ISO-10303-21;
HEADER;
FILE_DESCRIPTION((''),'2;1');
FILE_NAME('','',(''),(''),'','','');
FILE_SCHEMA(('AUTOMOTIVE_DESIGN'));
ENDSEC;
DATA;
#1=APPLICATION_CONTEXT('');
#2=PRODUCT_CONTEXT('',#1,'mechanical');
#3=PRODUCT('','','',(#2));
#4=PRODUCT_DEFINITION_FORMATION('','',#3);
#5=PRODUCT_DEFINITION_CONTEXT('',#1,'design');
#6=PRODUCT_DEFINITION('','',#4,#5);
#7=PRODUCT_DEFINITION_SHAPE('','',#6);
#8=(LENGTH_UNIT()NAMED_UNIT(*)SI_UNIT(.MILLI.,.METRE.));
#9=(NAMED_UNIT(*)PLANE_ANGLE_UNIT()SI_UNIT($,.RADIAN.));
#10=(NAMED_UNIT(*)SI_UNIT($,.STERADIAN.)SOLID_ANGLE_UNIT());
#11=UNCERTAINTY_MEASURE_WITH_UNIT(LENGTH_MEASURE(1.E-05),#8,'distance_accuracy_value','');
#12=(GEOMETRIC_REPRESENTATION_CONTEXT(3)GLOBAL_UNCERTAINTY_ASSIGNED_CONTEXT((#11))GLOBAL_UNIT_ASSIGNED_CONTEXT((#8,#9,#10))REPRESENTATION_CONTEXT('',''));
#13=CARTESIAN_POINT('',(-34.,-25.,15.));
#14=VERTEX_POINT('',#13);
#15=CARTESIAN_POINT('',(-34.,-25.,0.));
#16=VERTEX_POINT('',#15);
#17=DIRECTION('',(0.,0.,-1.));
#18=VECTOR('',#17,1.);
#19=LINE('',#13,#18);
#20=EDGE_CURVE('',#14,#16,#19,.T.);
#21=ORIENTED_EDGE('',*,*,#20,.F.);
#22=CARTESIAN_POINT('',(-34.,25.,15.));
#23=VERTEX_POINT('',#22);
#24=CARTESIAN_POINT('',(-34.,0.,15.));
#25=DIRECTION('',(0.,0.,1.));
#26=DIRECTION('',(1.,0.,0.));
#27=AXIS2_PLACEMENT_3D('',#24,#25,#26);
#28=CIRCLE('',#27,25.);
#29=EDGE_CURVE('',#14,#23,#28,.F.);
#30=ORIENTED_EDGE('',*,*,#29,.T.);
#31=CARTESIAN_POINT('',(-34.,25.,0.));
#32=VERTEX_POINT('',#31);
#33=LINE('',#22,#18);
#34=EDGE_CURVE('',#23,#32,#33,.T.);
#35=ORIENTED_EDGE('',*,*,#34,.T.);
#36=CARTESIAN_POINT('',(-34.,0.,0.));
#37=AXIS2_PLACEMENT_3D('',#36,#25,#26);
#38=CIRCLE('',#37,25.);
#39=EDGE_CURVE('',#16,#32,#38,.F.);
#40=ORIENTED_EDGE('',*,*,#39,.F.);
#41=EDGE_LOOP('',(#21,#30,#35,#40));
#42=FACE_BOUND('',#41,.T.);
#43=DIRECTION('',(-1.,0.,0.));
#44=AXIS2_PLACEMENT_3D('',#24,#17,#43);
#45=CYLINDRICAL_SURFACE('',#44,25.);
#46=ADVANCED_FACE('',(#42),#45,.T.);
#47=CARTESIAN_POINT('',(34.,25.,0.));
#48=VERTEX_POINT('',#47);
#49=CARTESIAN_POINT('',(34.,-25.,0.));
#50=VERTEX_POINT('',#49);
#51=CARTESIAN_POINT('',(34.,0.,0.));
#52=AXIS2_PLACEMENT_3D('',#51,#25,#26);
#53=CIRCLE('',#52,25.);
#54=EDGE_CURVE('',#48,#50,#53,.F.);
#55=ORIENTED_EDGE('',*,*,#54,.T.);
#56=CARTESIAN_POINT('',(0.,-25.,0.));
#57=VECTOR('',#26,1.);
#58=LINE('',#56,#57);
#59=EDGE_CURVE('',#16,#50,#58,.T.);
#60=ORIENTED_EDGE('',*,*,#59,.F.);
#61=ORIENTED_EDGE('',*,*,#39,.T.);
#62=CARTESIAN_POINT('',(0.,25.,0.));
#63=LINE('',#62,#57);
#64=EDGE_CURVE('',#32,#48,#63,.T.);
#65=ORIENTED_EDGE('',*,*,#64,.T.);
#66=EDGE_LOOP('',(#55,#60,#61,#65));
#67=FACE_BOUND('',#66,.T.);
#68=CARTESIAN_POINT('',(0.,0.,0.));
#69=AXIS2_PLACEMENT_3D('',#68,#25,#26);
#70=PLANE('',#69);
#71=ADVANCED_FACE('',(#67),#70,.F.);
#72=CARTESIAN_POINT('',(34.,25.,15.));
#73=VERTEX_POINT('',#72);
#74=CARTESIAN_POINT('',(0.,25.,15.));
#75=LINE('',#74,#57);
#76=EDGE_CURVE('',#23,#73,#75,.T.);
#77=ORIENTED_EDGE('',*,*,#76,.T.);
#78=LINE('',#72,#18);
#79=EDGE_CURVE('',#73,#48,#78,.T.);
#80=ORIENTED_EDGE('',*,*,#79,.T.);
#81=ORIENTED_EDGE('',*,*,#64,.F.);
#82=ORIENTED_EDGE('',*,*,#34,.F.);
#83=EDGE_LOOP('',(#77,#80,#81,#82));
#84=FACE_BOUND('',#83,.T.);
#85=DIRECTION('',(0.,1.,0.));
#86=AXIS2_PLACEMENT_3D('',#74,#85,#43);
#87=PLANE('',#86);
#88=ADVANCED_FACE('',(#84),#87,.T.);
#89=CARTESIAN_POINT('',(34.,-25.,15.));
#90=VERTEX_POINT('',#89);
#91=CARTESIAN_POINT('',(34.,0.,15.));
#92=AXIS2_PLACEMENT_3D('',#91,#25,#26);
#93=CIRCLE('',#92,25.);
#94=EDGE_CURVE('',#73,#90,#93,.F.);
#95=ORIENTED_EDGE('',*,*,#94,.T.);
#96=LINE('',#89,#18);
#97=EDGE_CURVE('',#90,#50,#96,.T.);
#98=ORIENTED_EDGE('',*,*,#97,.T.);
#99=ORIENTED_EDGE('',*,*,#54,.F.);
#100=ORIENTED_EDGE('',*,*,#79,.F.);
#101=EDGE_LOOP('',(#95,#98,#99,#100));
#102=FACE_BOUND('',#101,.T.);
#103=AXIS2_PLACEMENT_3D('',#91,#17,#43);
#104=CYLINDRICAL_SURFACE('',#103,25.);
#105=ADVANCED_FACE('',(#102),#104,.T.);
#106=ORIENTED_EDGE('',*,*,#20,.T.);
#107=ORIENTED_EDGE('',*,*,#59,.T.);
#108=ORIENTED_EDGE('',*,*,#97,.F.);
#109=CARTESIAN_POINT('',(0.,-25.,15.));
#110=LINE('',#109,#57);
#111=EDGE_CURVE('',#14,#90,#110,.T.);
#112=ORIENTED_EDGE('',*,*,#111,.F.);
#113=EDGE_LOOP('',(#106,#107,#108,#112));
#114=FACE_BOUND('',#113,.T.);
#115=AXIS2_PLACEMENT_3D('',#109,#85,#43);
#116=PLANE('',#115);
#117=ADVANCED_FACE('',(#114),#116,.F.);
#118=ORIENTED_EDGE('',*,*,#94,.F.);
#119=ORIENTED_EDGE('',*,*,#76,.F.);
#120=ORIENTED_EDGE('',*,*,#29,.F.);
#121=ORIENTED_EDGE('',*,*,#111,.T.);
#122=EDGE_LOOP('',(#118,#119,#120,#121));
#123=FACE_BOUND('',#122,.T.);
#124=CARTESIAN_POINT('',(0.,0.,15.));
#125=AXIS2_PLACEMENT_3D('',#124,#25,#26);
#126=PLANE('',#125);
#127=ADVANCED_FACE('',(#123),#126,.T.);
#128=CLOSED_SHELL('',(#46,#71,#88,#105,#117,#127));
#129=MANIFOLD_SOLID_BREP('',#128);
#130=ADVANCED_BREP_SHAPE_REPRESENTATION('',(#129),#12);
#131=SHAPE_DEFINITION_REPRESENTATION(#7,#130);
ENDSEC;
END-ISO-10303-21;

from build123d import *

# Parameters (mm, degrees)
SKETCH1_W           = 68
SKETCH1_H           = 50
BOSS_EXTRUDE1_DEPTH = 15


with BuildPart() as part:
    # Sketch1 → Boss-Extrude1 (new body)
    with BuildSketch(Plane.XY):
        Rectangle(SKETCH1_W, SKETCH1_H)
        with BuildLine():
            ThreePointArc((-34, -25), (-59, 0), (-34, 25))
            Line((-34, 25), (-34, -25))
        make_face()
        with BuildLine():
            ThreePointArc((34, 25), (59, 0), (34, -25))
            Line((34, -25), (34, 25))
        make_face()
    extrude(amount=BOSS_EXTRUDE1_DEPTH)


solid = part.part
